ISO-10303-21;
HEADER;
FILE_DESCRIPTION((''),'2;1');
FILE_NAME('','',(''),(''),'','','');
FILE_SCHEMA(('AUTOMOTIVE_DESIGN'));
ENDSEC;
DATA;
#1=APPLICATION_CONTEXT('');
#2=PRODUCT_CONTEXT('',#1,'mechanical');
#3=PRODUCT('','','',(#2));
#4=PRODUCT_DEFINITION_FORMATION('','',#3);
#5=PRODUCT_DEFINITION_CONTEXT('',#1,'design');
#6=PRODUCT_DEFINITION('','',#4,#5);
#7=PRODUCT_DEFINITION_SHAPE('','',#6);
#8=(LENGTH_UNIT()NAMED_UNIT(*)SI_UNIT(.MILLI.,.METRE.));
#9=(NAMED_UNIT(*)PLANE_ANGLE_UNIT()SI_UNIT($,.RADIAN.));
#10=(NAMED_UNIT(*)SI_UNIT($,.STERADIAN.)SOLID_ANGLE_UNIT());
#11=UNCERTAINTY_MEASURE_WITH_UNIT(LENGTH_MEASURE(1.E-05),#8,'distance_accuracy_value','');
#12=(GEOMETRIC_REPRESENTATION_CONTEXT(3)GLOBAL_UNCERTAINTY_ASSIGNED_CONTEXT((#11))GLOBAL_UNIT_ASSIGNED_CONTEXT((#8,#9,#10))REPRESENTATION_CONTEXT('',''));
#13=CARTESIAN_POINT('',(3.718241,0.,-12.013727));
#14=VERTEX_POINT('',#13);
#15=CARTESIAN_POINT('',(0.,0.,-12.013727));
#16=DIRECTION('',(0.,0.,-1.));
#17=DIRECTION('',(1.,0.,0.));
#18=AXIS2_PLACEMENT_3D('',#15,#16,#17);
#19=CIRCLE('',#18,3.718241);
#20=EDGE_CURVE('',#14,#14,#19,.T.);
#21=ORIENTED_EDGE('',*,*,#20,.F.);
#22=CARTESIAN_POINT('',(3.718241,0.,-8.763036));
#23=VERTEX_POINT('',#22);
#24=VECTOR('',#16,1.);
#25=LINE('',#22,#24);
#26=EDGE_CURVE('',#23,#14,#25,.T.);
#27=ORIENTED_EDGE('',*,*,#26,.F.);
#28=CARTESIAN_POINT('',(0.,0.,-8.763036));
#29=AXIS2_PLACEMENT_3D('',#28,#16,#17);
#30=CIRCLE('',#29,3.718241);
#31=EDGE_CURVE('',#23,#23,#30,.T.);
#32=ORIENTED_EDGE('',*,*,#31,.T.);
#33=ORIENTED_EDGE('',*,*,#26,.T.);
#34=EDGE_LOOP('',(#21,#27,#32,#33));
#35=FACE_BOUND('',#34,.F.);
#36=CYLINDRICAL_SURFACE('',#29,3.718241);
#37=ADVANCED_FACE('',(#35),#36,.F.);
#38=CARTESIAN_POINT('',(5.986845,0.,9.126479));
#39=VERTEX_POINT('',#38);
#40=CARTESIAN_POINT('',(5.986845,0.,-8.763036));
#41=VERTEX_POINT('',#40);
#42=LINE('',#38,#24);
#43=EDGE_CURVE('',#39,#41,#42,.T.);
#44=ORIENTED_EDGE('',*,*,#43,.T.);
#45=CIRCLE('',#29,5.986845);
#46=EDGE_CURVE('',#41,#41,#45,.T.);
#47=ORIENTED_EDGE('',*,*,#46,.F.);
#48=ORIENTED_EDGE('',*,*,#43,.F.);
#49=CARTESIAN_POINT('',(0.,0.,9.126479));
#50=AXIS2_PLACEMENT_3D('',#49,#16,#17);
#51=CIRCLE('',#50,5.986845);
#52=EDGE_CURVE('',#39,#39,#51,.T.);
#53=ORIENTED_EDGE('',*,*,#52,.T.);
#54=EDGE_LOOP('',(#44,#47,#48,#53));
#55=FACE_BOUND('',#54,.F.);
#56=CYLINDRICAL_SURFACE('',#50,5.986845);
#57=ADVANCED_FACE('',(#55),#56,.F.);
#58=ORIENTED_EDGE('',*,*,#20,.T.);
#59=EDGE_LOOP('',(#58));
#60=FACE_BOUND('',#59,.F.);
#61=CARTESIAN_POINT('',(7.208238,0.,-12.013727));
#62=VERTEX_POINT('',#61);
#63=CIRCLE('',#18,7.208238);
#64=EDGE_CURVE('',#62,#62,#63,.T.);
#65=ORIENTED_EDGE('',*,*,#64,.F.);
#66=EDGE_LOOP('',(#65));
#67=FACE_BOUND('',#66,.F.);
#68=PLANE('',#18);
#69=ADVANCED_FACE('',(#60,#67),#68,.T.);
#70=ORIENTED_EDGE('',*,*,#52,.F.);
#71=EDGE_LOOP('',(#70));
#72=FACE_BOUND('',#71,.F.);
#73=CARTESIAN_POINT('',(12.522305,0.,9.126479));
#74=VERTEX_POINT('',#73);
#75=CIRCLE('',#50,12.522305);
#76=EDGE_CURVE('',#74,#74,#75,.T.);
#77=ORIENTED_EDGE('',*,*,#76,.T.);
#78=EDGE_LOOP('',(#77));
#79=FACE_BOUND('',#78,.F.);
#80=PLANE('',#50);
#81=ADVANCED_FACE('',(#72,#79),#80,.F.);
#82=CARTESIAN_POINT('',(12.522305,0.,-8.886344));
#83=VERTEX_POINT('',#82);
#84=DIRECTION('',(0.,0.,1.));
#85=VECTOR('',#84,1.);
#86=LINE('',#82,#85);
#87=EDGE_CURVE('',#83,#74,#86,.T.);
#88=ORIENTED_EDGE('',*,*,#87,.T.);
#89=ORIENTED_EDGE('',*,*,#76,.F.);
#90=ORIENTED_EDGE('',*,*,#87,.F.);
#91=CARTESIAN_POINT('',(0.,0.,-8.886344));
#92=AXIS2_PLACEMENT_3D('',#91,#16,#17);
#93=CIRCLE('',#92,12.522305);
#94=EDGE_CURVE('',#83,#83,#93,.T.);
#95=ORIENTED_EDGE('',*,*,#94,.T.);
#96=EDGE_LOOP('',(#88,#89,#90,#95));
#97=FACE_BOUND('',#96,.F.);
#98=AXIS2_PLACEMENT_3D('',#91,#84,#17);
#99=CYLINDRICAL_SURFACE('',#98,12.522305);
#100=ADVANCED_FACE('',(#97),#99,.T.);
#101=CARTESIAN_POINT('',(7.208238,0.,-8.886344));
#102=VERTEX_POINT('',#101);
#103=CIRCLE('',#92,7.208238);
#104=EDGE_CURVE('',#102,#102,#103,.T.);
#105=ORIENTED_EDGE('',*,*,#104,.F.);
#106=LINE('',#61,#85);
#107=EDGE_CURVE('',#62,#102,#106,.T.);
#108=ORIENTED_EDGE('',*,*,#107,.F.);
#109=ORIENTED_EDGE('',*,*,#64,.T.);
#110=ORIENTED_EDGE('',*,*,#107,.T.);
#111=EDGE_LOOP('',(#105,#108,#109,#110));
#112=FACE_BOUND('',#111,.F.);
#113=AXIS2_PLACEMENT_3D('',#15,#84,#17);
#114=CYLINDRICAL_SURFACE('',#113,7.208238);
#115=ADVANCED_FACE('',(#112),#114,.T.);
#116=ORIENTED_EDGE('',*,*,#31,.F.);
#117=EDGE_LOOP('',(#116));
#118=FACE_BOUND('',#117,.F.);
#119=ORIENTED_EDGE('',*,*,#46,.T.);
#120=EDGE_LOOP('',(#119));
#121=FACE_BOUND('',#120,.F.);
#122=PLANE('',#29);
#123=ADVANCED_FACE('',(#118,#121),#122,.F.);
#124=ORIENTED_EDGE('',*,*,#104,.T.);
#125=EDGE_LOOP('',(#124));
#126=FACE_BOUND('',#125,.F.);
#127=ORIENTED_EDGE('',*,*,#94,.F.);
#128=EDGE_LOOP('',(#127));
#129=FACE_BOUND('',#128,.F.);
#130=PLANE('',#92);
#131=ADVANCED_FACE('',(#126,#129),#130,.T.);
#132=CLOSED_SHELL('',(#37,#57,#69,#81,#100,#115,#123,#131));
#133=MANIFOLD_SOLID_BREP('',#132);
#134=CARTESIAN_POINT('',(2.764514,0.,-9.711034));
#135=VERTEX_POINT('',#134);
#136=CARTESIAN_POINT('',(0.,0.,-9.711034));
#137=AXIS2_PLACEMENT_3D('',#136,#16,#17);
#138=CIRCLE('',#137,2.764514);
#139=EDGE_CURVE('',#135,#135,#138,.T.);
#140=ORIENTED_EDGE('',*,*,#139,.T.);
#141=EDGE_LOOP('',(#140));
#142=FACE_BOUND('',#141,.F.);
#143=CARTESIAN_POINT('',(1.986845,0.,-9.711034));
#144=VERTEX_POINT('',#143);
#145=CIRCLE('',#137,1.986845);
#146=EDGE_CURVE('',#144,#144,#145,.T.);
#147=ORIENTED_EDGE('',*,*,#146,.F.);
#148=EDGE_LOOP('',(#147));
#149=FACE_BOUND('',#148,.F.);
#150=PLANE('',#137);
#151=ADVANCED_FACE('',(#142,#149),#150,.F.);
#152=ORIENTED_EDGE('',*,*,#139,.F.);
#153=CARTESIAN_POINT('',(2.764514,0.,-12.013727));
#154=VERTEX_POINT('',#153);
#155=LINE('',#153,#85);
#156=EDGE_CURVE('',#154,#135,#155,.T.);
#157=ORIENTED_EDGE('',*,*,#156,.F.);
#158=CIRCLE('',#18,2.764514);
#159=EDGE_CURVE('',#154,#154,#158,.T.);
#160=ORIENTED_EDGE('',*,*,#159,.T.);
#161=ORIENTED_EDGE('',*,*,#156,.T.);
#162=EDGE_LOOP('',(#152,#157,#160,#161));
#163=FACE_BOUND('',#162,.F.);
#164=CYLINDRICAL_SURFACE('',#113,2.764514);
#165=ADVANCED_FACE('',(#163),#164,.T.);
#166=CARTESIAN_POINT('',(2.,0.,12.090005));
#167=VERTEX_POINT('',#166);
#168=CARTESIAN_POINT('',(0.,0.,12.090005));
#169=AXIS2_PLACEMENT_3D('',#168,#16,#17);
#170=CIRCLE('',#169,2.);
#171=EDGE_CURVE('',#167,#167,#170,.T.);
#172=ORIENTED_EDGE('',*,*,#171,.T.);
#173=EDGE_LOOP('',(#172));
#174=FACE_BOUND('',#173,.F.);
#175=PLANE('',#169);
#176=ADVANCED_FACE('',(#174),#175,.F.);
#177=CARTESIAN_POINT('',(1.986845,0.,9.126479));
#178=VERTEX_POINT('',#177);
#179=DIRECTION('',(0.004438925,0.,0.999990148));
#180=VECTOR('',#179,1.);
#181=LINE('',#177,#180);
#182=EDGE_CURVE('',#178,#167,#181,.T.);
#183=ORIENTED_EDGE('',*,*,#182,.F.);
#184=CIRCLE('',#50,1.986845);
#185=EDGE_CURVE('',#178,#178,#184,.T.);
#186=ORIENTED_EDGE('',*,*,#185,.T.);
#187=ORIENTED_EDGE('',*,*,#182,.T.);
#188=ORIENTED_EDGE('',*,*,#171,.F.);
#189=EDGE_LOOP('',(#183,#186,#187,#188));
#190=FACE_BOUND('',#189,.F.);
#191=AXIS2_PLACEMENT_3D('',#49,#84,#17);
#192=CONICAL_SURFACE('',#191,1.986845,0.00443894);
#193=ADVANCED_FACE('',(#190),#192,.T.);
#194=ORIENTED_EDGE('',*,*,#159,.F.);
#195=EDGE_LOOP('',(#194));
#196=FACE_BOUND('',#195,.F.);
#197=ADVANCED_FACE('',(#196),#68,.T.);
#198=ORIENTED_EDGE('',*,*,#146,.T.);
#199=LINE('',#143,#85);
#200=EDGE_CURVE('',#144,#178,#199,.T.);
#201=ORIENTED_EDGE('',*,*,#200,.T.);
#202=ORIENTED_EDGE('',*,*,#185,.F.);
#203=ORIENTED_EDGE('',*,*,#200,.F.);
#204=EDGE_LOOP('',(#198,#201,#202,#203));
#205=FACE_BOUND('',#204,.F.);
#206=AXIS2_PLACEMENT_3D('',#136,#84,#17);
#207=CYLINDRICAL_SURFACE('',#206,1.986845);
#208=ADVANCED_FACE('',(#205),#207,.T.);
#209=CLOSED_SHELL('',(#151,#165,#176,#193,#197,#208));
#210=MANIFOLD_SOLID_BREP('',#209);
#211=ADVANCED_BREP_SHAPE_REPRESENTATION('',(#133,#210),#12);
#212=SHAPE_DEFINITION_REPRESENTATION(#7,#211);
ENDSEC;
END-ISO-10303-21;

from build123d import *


with BuildPart() as f1:
    # F0 (on Front) → F1 (revolve)
    with BuildSketch(Plane.XZ):
        Polygon((3.718241, -8.763036), (3.718241, -12.013727), (7.208238, -12.013727), (7.208238, -8.886344), (12.522305, -8.886344), (12.522305, 9.126479), (5.986845, 9.126479), (5.986845, -8.763036), align=None)
    revolve(axis=Axis((0, 0, 0.038139), (0, 0, -1)))


with BuildPart() as f2:
    # F0 (on Front) → F2 (revolve)
    with BuildSketch(Plane.XZ):
        Polygon((2, 12.090005), (0, 12.090005), (0, -12.013727), (2.764514, -12.013727), (2.764514, -9.711034), (1.986845, -9.711034), (1.986845, 9.126479), align=None)
    revolve(axis=Axis((0, 0, 0.038139), (0, 0, -1)))


solid = Compound([f1.part, f2.part])
